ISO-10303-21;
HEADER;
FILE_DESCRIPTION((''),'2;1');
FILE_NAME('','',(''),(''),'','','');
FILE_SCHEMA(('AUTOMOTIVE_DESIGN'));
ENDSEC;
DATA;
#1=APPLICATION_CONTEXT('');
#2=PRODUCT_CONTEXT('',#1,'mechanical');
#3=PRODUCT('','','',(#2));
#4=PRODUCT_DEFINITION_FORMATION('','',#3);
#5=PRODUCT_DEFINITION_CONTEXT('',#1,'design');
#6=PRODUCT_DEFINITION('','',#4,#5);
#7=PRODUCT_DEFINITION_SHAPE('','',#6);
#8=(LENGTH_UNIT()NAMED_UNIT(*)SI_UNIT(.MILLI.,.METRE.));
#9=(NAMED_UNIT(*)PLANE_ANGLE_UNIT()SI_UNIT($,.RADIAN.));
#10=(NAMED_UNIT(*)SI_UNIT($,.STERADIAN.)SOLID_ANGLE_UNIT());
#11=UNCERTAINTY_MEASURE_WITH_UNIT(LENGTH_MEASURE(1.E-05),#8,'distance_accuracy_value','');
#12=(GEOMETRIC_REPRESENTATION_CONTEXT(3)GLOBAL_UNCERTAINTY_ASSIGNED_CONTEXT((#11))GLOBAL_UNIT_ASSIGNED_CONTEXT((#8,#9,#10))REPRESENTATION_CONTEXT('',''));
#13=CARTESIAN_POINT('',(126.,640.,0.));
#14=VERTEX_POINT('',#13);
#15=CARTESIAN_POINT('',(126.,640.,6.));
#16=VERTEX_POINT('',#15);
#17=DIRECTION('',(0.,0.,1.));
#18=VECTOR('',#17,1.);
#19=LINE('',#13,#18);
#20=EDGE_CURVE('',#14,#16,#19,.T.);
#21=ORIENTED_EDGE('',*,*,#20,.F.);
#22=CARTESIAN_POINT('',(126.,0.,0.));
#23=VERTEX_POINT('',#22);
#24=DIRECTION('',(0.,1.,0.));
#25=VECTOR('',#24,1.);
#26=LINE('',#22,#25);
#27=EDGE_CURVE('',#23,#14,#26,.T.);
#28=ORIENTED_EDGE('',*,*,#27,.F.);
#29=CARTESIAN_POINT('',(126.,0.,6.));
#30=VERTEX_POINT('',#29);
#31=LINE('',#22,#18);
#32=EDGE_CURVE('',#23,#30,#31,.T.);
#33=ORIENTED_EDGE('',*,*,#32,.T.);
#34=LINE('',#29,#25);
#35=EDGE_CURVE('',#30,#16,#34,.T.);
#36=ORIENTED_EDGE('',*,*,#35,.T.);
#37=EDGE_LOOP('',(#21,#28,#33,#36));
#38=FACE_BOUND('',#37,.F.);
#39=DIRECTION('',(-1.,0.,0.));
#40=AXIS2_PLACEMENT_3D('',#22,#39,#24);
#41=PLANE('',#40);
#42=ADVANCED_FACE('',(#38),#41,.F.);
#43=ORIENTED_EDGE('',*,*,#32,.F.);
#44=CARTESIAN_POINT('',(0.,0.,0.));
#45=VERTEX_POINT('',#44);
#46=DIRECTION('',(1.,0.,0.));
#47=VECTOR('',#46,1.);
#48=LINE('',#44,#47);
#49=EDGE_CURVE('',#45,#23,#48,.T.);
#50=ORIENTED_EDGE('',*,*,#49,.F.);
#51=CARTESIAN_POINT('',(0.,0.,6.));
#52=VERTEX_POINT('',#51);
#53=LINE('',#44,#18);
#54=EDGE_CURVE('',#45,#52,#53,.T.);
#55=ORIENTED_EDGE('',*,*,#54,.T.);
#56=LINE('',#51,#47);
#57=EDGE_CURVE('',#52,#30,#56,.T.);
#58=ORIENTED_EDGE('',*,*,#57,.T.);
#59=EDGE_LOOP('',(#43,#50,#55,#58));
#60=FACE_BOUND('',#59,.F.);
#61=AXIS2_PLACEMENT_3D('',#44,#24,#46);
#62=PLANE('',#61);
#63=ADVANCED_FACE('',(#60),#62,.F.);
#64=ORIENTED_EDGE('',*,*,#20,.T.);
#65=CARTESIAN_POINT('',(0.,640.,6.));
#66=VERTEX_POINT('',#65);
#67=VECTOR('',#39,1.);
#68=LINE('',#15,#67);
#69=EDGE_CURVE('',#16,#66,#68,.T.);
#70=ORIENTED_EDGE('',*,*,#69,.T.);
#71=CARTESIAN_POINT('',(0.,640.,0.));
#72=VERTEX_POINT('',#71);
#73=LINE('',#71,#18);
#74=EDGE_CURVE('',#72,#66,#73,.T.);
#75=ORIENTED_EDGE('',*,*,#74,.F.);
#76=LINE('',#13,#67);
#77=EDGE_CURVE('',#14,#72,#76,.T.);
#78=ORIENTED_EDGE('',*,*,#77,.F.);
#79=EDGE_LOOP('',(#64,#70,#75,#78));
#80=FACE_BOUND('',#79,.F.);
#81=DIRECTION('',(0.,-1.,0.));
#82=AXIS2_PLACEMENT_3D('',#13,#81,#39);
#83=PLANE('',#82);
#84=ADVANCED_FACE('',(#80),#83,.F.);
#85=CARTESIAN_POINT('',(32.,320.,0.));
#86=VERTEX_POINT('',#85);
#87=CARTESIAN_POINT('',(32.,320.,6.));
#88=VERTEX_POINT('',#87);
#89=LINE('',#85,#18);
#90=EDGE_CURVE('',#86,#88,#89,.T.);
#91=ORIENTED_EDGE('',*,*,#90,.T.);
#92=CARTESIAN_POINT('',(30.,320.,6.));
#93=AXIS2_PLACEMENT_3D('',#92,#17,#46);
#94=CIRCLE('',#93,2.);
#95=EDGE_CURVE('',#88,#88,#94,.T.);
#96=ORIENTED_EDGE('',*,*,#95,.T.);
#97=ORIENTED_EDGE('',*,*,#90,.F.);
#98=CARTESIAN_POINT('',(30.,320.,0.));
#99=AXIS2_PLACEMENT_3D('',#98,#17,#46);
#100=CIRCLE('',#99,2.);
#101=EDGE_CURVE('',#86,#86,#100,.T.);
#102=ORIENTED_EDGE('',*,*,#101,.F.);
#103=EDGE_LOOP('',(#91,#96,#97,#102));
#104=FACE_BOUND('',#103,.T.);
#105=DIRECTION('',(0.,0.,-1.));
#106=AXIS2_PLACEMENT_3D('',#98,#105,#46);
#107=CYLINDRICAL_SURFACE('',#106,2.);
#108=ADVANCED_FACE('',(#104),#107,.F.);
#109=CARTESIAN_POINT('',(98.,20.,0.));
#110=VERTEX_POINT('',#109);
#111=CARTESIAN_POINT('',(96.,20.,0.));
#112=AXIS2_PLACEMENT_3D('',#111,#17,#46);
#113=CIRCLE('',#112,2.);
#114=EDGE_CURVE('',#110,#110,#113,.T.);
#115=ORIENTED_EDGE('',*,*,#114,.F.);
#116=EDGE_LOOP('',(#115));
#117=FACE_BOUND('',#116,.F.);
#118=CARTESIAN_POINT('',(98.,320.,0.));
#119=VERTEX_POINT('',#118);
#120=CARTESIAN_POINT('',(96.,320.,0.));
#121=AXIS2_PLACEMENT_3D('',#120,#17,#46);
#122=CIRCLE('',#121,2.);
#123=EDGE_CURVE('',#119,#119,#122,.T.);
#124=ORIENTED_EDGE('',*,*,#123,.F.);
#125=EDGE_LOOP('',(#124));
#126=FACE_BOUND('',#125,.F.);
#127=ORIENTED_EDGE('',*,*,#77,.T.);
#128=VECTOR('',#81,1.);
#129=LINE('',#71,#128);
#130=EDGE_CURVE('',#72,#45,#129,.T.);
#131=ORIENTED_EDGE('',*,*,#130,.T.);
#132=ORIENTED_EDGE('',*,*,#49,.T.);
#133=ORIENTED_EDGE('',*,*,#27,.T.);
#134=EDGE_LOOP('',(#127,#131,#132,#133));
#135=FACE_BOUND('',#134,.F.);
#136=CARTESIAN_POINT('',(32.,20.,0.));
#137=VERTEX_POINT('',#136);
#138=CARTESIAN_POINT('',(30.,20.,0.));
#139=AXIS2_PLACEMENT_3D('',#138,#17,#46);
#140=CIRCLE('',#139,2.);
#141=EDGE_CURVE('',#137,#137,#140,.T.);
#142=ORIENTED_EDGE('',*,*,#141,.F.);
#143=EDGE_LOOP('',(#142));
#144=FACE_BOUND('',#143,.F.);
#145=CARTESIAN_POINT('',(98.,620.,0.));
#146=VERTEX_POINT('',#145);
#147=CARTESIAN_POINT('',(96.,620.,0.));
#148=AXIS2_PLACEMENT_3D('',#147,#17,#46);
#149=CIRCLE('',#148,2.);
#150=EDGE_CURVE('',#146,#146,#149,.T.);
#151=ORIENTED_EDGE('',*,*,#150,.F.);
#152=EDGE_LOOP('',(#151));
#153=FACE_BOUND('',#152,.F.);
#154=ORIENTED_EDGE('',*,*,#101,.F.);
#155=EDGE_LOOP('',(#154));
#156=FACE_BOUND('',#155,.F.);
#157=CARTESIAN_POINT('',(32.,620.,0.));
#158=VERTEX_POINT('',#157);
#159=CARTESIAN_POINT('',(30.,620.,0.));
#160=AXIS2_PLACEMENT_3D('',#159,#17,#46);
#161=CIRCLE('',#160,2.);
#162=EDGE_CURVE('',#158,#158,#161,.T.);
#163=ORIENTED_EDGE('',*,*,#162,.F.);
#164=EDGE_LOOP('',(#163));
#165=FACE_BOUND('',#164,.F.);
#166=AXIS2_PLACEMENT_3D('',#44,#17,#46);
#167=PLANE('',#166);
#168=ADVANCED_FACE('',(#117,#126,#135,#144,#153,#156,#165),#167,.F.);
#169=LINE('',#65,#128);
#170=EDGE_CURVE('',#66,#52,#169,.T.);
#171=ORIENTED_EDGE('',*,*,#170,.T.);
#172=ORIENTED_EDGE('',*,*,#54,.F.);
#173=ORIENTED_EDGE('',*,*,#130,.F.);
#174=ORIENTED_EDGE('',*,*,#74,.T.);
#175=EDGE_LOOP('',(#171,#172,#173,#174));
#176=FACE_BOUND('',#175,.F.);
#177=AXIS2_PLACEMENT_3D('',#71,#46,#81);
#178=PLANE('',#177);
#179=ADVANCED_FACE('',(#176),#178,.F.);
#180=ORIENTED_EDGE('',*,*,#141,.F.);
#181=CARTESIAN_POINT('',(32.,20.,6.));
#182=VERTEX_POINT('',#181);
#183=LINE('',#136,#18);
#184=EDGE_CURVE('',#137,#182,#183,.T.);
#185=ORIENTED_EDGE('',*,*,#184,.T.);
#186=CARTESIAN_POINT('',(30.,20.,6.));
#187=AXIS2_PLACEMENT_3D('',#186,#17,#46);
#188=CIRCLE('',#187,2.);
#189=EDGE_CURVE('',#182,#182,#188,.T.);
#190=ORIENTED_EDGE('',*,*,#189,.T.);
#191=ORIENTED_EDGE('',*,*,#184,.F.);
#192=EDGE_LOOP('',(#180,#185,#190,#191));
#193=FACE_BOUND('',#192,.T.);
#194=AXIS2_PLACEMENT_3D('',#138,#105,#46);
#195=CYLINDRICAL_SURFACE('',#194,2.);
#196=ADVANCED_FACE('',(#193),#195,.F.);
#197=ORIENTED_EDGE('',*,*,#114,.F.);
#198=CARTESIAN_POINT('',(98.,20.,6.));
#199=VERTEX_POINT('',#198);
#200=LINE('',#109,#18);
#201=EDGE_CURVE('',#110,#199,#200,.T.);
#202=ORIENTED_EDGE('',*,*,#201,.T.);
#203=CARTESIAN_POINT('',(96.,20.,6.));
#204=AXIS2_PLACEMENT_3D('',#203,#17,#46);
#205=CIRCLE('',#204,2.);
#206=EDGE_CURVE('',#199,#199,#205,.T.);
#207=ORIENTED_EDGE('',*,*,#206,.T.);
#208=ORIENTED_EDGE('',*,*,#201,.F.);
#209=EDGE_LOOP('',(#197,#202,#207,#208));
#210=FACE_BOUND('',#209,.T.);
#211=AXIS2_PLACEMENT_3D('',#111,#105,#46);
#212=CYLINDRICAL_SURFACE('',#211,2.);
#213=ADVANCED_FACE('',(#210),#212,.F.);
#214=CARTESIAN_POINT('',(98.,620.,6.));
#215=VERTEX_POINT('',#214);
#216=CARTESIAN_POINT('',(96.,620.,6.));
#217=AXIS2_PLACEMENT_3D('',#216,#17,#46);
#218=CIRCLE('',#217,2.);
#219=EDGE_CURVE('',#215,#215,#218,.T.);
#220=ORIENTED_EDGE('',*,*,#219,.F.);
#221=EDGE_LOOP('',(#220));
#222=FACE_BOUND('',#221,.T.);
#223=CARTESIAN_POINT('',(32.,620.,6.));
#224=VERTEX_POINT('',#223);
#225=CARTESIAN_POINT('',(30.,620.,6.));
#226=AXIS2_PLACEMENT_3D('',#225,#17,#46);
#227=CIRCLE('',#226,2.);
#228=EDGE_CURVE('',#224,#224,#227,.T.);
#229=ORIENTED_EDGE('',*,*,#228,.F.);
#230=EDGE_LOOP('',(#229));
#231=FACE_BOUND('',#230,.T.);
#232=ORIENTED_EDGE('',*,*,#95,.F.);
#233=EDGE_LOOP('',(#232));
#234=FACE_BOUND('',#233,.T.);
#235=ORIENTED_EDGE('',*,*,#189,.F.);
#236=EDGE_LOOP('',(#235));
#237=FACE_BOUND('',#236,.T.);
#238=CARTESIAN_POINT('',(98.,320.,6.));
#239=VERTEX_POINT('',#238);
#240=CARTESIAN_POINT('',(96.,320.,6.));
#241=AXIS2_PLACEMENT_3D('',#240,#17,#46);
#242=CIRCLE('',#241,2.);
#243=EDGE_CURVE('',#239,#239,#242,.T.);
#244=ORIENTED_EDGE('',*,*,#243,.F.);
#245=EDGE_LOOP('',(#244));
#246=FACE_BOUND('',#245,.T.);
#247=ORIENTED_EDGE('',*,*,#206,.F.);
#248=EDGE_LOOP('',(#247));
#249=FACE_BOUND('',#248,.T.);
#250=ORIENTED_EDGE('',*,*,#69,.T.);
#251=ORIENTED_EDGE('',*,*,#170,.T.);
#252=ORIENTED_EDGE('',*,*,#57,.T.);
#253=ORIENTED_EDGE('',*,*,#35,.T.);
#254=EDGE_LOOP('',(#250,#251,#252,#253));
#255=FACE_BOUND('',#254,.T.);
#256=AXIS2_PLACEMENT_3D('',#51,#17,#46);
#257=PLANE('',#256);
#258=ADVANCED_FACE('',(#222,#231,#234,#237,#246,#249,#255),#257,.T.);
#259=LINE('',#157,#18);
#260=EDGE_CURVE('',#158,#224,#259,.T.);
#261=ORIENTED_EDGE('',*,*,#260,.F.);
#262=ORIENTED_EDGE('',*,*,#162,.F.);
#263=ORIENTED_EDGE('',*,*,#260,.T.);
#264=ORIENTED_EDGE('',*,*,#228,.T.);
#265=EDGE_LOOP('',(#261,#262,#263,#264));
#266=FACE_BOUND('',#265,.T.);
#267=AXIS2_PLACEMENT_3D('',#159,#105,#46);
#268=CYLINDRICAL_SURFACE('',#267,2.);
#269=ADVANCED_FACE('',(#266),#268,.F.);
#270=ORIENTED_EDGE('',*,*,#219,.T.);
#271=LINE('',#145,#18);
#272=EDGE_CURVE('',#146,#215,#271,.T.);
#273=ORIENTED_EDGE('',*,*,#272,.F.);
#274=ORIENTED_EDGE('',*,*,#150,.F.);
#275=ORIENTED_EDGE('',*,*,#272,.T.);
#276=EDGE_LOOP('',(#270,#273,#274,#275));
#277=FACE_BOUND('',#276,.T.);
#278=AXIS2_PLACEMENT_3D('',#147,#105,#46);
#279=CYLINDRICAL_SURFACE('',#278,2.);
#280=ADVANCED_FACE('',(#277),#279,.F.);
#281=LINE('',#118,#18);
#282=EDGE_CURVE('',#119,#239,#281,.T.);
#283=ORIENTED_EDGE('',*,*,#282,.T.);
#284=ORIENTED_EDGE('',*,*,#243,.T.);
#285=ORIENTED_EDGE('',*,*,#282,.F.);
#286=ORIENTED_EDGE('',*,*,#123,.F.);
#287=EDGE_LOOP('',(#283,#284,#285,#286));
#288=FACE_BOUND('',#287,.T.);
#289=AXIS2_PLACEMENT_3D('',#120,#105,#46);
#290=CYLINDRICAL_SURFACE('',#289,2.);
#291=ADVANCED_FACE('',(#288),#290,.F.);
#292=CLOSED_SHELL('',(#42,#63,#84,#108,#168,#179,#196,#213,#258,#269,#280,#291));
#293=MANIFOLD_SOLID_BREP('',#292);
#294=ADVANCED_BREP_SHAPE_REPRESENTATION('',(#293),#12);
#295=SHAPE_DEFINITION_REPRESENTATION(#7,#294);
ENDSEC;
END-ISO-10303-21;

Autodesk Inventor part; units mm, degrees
ref_plane "YZ Plane" through (0, 0, 0) normal (1, 0, 0) x (0, 1, 0)
ref_plane "XZ Plane" through (0, 0, 0) normal (0, 1, 0) x (-1, 0, 0)
ref_plane "XY Plane" through (0, 0, 0) normal (0, 0, 1) x (1, 0, 0)
sketch "Sketch1" plane through (0, 0, 0) normal (0, 0, 1) x (1, 0, 0)
  line L0 (0, 0) -> (126, 0)
  line L1 (126, 0) -> (126, 640)
  line L2 (126, 640) -> (0, 640)
  line L3 (0, 640) -> (0, 0)
  line L4 (0, 40) -> (126, 40) construction
  circle A0 centre (30, 20) radius 2
  circle A1 centre (96, 20) radius 2
  line L5 (30, 40) -> (30, 0) construction
  line L6 (96, 20) -> (126, 20) construction
  line L7 (30, 20) -> (0, 20) construction
  line L8 (0, 320) -> (30, 320) construction
  line L9 (96, 320) -> (126, 320) construction
  circle A2 centre (30, 320) radius 2
  circle A3 centre (96, 320) radius 2
  circle A4 centre (30, 620) radius 2
  circle A5 centre (96, 620) radius 2
  dimension "d0" = 126
  dimension "d1" = 640
  dimension "d2" = 40
  dimension "d3" = 4
  dimension "d4" = 30
extrude "Extrusion1" add sketch "Sketch1" along normal blind 6
equation "\"d0\" = outer_carriage_length"
equation "\"d1\" = outerlegg_height"
equation "\"d2\" = outer_carriage_height"
equation "\"d3\" = outer_carriage_screw_size"
equation "\"d4\" = outer_carriage_corner_to_screw"
equation "\"d5\" = outerlegg_plate_width"
equation "\"outerlegg_plate_width\" = 6"
equation "\"outer_carriage_length\" = 126"
equation "\"outerlegg_height\" = 640"
equation "\"outer_carriage_height\" = 40"
equation "\"outer_carriage_screw_size\" = 4"
equation "\"outer_carriage_corner_to_screw\" = 30"
properties part number "10_outerlegg_short_side"
